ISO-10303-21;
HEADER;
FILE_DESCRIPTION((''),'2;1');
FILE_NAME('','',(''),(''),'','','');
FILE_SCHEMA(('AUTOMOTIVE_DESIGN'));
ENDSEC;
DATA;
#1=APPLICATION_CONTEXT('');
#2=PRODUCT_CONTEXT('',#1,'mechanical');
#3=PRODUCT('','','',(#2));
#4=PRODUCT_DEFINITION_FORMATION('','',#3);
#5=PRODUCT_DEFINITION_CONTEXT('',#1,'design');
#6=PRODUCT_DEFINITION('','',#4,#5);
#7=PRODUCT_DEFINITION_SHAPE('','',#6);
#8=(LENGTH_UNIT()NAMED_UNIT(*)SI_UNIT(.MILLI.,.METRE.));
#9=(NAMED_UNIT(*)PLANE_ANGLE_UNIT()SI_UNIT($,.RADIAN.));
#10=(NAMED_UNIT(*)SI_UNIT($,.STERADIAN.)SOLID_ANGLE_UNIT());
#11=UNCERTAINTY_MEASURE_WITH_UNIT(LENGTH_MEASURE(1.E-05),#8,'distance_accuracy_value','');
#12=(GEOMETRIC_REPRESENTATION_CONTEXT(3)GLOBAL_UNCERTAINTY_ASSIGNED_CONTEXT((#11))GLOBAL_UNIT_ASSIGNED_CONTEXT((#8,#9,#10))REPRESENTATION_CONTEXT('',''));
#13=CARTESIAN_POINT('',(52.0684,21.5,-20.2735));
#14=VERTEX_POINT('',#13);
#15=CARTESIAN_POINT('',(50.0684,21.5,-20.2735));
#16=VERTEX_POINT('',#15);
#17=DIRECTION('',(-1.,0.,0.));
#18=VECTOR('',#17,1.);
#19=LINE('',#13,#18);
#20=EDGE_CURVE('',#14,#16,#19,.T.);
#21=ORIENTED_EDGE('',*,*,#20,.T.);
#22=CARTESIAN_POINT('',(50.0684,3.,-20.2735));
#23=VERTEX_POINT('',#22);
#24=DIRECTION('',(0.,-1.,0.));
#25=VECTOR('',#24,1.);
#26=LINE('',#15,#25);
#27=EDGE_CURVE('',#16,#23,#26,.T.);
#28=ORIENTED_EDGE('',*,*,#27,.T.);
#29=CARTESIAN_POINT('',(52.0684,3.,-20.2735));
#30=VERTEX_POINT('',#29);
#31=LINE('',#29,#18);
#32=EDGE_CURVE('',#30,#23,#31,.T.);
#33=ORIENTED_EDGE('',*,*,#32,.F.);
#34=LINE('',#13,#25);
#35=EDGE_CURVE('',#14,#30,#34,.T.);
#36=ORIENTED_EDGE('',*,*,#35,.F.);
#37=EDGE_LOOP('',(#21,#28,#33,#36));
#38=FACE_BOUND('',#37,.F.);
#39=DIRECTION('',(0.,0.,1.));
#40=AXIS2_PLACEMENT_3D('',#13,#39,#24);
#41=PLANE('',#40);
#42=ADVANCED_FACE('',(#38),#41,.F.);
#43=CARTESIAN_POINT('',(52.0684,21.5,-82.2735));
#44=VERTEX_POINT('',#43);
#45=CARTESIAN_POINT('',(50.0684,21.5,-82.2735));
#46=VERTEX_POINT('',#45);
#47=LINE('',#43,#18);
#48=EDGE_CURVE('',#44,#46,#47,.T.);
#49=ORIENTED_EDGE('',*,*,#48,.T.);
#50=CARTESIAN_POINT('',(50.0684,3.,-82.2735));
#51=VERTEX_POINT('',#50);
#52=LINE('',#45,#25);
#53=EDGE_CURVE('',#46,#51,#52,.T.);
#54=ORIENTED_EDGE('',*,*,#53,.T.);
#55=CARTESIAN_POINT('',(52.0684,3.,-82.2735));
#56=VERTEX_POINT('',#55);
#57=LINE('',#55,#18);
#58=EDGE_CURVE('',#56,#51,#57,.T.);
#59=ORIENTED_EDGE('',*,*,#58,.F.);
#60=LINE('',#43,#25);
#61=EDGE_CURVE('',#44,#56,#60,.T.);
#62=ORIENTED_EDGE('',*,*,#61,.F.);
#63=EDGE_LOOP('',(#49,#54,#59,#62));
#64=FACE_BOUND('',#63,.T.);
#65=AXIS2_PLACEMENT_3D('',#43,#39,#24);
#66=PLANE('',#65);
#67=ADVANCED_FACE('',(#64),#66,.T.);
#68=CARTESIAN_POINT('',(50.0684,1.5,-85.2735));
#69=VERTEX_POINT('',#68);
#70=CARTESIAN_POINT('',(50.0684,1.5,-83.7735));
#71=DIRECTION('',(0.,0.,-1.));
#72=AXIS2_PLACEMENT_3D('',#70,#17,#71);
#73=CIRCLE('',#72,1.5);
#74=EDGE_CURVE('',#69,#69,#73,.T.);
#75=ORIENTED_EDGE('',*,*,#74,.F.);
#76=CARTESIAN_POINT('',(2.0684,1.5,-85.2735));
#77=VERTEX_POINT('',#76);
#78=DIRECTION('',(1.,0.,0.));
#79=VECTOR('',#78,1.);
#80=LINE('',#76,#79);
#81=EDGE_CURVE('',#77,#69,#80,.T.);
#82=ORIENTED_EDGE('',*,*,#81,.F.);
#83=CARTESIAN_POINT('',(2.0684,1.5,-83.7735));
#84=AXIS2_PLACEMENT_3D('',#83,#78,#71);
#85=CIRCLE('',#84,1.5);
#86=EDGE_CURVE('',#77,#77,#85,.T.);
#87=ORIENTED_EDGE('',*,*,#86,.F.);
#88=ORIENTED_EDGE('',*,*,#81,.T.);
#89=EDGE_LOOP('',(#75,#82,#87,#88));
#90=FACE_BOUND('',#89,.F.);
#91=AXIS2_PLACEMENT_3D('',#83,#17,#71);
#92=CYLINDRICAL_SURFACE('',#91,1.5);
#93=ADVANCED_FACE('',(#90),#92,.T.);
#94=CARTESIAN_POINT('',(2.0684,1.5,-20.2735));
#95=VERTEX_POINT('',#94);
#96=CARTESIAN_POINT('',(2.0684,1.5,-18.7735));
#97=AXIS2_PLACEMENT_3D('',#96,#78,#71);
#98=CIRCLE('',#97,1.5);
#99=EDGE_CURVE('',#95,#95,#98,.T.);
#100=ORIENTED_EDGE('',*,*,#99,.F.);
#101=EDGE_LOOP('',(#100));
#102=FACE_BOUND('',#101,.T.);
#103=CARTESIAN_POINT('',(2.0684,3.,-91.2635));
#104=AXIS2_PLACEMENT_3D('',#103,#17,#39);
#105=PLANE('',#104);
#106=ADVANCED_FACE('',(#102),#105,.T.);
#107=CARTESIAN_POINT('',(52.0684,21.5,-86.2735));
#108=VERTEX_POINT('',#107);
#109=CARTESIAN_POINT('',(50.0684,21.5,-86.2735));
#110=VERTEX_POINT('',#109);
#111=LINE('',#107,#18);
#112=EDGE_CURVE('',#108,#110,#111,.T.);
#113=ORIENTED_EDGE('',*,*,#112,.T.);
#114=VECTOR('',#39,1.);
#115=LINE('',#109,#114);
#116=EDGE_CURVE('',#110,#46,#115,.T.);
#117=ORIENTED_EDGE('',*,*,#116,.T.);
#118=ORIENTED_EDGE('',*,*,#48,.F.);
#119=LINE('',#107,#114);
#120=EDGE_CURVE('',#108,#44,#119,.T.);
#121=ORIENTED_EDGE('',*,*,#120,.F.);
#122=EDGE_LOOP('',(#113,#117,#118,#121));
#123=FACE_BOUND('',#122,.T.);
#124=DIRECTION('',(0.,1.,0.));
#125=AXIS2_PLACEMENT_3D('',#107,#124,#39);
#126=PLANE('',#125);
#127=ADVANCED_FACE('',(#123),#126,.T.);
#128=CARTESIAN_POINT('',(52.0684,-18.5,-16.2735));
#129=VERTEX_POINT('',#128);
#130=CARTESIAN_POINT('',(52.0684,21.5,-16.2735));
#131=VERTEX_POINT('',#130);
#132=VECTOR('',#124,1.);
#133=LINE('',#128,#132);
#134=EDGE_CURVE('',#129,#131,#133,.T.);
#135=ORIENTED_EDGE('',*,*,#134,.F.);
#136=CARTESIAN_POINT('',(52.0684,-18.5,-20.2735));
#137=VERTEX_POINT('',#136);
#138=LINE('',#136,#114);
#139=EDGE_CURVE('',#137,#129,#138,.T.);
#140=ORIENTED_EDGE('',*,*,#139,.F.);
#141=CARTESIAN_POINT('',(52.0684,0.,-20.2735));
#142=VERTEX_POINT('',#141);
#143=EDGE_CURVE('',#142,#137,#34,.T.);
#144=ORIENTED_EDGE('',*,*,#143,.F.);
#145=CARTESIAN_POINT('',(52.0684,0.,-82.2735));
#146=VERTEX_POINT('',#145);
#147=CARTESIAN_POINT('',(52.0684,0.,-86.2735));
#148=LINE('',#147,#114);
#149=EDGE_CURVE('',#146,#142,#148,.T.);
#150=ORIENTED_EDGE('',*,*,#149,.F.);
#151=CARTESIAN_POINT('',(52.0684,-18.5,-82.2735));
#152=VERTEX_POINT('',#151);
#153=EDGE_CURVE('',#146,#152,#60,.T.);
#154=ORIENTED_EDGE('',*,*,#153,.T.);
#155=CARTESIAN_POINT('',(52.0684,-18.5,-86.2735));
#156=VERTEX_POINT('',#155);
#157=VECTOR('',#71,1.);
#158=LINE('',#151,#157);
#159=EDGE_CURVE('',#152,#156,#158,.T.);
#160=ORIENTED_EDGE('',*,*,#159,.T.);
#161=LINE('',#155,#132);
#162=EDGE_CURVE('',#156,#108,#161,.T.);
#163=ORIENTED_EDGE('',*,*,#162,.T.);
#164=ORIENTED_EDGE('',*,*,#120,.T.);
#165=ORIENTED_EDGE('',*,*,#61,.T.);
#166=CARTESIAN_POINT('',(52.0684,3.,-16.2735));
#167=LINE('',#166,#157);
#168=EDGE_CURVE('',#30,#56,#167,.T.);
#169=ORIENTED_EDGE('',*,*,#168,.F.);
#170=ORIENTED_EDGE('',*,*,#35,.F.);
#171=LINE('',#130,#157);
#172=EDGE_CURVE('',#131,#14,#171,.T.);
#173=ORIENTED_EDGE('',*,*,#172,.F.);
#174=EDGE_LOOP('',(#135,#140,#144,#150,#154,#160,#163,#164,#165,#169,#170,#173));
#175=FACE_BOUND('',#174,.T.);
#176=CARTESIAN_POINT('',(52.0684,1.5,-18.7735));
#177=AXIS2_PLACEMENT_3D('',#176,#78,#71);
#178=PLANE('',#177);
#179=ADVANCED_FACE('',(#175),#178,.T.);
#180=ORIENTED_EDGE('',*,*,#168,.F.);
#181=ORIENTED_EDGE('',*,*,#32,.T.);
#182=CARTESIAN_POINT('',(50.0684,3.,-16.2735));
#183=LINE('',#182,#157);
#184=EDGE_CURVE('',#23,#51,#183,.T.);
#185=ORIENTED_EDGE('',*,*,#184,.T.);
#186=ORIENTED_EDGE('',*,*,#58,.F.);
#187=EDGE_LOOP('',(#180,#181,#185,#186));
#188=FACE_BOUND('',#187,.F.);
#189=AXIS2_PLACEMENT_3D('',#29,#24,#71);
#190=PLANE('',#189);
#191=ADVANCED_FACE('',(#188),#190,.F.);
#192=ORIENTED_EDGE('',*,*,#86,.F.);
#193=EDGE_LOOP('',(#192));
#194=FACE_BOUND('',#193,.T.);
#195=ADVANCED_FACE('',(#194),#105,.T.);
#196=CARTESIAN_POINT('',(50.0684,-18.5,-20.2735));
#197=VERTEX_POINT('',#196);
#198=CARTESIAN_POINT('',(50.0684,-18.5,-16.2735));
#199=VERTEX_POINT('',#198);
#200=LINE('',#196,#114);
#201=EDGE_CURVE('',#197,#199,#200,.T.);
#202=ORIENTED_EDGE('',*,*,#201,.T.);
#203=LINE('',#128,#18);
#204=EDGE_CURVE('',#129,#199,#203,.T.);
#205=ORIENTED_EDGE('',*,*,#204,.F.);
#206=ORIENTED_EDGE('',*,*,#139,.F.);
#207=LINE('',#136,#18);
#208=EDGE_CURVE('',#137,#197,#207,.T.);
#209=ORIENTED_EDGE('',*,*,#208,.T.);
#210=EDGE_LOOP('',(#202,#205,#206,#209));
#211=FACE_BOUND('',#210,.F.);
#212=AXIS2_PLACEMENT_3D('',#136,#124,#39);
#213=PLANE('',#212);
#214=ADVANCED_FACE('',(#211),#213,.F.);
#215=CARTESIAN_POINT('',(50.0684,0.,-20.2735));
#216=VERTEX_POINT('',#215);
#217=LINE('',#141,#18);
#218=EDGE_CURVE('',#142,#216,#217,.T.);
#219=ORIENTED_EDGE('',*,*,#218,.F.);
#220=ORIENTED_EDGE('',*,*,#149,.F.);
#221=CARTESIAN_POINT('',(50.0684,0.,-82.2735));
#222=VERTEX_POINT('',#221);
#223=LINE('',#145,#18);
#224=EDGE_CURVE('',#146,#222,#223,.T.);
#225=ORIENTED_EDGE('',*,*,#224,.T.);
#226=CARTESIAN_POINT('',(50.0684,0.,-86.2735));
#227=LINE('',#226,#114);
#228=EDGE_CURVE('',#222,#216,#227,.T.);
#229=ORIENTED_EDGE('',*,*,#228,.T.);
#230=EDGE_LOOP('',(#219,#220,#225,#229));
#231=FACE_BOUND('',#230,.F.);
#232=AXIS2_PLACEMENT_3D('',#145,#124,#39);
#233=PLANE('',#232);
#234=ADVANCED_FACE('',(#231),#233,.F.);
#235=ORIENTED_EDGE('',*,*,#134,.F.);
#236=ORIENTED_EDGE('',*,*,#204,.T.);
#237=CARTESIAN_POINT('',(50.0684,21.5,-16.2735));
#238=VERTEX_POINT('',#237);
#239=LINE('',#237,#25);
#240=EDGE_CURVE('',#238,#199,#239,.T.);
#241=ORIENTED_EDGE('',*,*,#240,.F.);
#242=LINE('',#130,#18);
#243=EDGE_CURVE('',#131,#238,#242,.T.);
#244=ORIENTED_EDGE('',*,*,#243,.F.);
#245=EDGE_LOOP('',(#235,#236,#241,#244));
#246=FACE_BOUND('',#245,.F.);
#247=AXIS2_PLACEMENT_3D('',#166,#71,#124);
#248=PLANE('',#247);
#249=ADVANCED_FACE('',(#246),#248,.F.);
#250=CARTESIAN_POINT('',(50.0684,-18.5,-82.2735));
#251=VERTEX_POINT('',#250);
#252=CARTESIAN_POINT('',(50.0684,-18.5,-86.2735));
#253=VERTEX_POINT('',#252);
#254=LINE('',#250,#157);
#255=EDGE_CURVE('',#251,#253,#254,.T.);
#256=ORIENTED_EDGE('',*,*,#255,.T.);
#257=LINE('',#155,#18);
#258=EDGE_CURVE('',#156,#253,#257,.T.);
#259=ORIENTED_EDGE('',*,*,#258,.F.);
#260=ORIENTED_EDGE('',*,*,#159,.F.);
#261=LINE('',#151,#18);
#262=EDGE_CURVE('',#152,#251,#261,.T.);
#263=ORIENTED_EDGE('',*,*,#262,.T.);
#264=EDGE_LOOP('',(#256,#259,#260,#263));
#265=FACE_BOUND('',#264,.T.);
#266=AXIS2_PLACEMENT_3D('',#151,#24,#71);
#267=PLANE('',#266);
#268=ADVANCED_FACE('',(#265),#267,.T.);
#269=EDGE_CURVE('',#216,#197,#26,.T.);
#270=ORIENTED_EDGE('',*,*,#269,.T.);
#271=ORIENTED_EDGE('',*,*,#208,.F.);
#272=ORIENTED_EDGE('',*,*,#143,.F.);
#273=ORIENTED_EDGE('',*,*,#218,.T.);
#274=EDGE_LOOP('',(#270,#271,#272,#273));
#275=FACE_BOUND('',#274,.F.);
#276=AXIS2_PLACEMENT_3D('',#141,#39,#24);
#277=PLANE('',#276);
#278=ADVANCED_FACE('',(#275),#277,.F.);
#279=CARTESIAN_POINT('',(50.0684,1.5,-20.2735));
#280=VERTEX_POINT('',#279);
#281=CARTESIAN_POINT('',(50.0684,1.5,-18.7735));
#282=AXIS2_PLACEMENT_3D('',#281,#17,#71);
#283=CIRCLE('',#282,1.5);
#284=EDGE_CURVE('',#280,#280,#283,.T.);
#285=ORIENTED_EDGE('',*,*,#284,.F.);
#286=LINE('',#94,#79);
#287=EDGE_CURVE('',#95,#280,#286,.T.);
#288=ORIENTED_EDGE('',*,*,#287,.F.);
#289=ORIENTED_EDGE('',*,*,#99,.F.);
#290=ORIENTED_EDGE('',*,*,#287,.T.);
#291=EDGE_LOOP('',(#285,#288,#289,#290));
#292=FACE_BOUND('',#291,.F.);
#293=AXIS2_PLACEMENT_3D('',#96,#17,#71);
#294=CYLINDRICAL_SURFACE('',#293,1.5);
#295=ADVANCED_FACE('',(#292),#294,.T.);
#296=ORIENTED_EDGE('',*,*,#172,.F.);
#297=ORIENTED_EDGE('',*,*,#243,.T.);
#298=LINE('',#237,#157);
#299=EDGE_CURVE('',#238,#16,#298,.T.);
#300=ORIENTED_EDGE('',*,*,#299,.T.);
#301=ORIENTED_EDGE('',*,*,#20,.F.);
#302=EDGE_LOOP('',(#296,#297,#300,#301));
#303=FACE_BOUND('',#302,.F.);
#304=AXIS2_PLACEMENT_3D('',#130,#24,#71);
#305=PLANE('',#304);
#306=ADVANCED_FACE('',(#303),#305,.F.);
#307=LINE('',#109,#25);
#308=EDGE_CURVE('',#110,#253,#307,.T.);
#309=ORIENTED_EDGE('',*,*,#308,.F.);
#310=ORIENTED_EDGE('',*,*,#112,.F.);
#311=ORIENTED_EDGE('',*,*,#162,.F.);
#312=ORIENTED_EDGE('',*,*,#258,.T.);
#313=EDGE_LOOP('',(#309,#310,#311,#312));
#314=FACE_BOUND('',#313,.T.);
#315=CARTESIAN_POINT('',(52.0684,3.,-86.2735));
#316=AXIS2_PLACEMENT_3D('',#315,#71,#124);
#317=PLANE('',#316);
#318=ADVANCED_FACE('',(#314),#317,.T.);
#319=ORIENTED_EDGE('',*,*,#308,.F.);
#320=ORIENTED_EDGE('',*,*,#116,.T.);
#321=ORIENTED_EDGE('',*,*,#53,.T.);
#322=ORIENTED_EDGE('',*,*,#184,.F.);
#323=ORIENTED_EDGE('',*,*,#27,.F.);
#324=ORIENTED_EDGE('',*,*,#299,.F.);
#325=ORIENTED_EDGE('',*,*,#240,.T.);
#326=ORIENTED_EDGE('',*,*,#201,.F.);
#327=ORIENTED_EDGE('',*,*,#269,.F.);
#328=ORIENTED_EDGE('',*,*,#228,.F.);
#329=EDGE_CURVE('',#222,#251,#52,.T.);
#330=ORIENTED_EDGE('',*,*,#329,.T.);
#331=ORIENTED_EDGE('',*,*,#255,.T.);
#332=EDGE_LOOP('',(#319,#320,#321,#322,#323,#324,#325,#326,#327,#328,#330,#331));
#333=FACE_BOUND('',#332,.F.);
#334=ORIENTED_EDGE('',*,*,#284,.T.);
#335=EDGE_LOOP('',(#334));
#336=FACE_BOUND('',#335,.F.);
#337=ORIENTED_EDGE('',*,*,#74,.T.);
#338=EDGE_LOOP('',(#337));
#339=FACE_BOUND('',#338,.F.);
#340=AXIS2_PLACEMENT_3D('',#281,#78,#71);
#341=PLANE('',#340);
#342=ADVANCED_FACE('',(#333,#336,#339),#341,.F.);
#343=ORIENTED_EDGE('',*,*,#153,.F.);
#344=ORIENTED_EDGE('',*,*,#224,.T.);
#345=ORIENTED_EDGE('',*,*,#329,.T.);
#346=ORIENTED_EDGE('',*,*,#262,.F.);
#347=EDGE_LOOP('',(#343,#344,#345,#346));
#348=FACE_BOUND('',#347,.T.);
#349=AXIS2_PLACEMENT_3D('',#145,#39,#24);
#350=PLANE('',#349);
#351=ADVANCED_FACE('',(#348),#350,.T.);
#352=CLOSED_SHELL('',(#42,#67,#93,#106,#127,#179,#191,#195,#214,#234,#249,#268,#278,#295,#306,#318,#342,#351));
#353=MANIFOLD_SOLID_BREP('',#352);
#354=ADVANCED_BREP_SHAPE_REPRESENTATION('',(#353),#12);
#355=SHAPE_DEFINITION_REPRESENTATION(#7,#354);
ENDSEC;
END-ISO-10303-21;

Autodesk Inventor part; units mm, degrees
ref_plane "YZ Plane" through (0, 0, 0) normal (1, 0, 0) x (0, 1, 0)
ref_plane "XZ Plane" through (0, 0, 0) normal (0, 1, 0) x (-1, 0, 0)
ref_plane "XY Plane" through (0, 0, 0) normal (0, 0, 1) x (1, 0, 0)
sketch "Skizze1" plane through (0, 0, 0) normal (0, 1, 0) x (-1, 0, 0)
  line L0 (37.9316, -16.2735) -> (-2.0684, -16.2735)
  line L1 (-2.0684, -16.2735) -> (-2.0684, -86.2735)
  line L2 (-2.0684, -86.2735) -> (37.9316, -86.2735)
  line L3 (37.9316, -86.2735) -> (37.9316, -16.2735)
  point P0 (0, 0)
  dimension "d0" = 70
  dimension "d1" = 40
extrude "Extrusion1" add sketch "Skizze1" along normal blind 3
fillet "Rundung1" radius 1 4 edges at (-37.9316, 1.5, -16.2735) (-37.9316, 1.5, -86.2735) (2.0684, 1.5, -86.2735) (2.0684, 1.5, -16.2735)
sketch "Skizze2" plane through (2.0684, 0, -17.2735) normal (1, 0, 0) x (0, 0, -1)
  circle A0 centre (1.5, 1.5) radius 1.5
  circle A1 centre (66.5, 1.5) radius 1.5
  line L0 (0, 3) -> (68, 3) projected
  line L1 (0, 0) -> (0, 3) projected
  line L2 (68, 3) -> (68, 0) projected
  point P0 (-17.2735, 0)
  dimension "d5" = 3
  dimension "d6" = 3
  dimension "d7" = 1.5
  dimension "d8" = 1.5
  dimension "d9" = 1.5
  dimension "d10" = 1.5
extrude "Extrusion2" add sketch "Skizze2" along normal blind 50 contours A0 | A1
sketch "Skizze3" plane through (52.0684, 1.5, -18.7735) normal (1, 0, 0) x (0, 0, -1)
  line L0 (-2.5, 1.5) -> (67.5, 1.5)
  line L1 (67.5, 1.5) -> (67.5, -1.5)
  line L2 (67.5, -1.5) -> (-2.5, -1.5)
  line L3 (-2.5, -1.5) -> (-2.5, 1.5)
  circle A0 centre (0, 0) radius 1.5 projected
  circle A1 centre (65, 0) radius 1.5 projected
  line L4 (-2.5, 20) -> (1.5, 20)
  line L5 (1.5, 20) -> (1.5, -20)
  line L6 (1.5, -20) -> (-2.5, -20)
  line L7 (-2.5, -20) -> (-2.5, 20)
  line L8 (67.5, 20) -> (63.5, 20)
  line L9 (63.5, 20) -> (63.5, -20)
  line L10 (63.5, -20) -> (67.5, -20)
  line L11 (67.5, -20) -> (67.5, 20)
  point P0 (-18.7735, -1.5)
  dimension "d13" = 1.5
  dimension "d14" = 1.5
  dimension "d16" = 2.5
  dimension "d17" = 2.5
  dimension "d20" = 40
  dimension "d21" = 20
extrude "Extrusion4" add sketch "Skizze3" against normal blind 2
sketch "Skizze4" plane through (0, 3, 0) normal (0, 1, 0) x (1, 0, 0)
  line L0 (2.0684, 14.6832) -> (-41.6445, 14.6832)
  line L1 (-41.6445, 14.6832) -> (-41.6445, 91.2635)
  line L2 (-41.6445, 91.2635) -> (2.0684, 91.2635)
  line L3 (2.0684, 91.2635) -> (2.0684, 14.6832)
  point P0 (0, 0)
extrude "Extrusion5" cut sketch "Skizze4" against normal blind 10
properties part number "Spielstraßenschild_Teil_Unten"
